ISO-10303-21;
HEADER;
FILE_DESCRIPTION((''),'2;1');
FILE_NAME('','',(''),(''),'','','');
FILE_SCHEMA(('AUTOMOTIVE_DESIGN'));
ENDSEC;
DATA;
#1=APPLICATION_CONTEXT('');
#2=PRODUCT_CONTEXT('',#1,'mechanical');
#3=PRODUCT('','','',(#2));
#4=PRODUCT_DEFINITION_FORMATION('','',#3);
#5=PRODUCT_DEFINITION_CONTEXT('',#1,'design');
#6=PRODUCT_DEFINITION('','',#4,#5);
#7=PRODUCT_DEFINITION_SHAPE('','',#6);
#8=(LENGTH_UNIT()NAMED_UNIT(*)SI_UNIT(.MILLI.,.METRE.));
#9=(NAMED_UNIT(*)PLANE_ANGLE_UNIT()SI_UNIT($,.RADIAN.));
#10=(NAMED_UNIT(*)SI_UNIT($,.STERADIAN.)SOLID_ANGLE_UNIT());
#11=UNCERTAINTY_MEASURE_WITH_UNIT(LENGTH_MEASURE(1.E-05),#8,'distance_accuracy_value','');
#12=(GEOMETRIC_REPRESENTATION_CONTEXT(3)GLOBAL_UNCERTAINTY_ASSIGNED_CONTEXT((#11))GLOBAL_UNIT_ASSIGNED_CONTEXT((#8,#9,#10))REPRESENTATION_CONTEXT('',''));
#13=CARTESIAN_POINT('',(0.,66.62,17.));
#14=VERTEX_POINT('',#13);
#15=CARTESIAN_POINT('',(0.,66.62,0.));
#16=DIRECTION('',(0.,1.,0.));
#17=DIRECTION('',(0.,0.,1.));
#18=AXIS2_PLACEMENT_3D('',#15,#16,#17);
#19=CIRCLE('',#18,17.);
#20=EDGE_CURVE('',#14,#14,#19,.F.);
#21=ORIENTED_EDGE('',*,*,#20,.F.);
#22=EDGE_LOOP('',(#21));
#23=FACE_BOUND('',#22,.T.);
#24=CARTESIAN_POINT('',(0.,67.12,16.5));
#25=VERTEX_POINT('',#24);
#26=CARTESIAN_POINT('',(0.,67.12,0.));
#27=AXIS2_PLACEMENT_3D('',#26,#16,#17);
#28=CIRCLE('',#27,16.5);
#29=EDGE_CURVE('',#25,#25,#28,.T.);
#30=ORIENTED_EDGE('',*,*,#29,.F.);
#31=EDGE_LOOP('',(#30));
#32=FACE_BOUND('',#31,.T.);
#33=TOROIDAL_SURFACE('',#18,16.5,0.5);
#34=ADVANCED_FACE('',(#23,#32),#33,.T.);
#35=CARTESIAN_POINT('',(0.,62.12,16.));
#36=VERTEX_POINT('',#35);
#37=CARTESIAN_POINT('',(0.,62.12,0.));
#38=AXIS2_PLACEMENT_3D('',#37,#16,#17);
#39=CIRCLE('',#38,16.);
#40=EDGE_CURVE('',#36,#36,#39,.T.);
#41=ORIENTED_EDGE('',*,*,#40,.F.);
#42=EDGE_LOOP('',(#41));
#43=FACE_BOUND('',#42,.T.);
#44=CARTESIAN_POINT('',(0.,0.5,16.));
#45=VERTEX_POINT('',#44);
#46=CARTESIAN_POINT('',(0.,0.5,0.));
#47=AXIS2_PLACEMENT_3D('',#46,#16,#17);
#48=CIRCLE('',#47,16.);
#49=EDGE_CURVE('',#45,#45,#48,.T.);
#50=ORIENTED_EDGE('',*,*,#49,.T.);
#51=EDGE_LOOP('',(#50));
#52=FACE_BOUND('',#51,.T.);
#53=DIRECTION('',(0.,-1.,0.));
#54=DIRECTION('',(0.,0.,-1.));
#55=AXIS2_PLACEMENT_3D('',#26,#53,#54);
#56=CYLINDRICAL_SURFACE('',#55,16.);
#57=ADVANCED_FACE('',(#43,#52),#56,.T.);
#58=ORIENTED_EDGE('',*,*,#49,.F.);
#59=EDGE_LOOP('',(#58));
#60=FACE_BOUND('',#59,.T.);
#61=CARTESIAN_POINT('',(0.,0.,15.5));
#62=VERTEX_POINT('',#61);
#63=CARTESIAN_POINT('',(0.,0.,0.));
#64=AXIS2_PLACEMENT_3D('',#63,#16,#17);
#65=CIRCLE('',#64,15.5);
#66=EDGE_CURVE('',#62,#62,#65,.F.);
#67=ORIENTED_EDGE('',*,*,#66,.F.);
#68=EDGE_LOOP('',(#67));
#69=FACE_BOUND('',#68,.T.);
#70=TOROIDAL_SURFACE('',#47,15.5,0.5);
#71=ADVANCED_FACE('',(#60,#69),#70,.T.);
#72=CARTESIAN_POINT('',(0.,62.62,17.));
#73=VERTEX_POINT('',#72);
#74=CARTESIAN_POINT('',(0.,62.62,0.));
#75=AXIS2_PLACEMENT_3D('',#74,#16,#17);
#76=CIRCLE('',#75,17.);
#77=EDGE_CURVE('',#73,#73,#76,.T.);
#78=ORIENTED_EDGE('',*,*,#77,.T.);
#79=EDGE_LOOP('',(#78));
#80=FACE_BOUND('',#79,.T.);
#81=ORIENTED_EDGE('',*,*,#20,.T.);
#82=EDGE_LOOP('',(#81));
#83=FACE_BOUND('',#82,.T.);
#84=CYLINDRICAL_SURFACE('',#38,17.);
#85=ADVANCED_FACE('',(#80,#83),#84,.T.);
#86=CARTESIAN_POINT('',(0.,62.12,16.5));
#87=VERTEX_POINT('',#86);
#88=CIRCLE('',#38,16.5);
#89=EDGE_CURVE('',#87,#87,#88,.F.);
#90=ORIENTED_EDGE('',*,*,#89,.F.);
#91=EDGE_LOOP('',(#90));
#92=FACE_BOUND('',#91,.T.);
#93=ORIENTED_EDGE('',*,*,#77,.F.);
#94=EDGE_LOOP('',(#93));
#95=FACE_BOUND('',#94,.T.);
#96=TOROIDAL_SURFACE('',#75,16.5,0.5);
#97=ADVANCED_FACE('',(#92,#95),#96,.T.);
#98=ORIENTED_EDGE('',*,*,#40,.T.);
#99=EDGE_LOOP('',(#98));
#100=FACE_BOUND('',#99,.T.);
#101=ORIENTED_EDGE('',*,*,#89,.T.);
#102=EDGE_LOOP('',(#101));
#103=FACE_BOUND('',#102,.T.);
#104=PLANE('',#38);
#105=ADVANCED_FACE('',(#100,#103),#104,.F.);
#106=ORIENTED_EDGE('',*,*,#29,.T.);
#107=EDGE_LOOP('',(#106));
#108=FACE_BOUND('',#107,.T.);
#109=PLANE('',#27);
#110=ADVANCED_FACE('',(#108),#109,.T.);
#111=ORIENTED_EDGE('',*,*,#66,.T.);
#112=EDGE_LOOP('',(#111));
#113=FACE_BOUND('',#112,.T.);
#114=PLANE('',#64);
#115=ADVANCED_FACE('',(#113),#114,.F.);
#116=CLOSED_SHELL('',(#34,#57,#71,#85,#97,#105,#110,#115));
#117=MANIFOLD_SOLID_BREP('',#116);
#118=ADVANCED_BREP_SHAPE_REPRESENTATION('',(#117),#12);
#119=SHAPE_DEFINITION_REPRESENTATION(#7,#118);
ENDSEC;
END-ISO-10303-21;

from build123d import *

# Parameters (mm, degrees)
SKETCH1_R           = 16
BOSS_EXTRUDE1_DEPTH = 67.12
BOSS_EXTRUDE2_START = -67.12
SKETCH2_R           = 17
SKETCH2_R_2         = 16
BOSS_EXTRUDE2_DEPTH = 5
FILLET1_R           = 0.5


with BuildPart() as part:
    # Sketch1 → Boss-Extrude1 (new body)
    with BuildSketch(Plane(origin=(0, 0, 0), x_dir=(1, 0, 0), z_dir=(0, 1, 0))):
        Circle(SKETCH1_R)
    extrude(amount=BOSS_EXTRUDE1_DEPTH)

    # Sketch2 → Boss-Extrude2 (add)
    with BuildSketch(Plane.XZ.offset(BOSS_EXTRUDE2_START)):
        Circle(SKETCH2_R)
        Circle(SKETCH2_R_2, mode=Mode.SUBTRACT)
    extrude(amount=BOSS_EXTRUDE2_DEPTH)

    # Fillet1
    fillet1_edges = [part.edges().sort_by_distance(p)[0] for p in [
        (-16, 0, 0),
        (-17, 62.12, 0),
        (-17, 67.12, 0),
    ]]
    fillet(fillet1_edges, radius=FILLET1_R)


solid = part.part
